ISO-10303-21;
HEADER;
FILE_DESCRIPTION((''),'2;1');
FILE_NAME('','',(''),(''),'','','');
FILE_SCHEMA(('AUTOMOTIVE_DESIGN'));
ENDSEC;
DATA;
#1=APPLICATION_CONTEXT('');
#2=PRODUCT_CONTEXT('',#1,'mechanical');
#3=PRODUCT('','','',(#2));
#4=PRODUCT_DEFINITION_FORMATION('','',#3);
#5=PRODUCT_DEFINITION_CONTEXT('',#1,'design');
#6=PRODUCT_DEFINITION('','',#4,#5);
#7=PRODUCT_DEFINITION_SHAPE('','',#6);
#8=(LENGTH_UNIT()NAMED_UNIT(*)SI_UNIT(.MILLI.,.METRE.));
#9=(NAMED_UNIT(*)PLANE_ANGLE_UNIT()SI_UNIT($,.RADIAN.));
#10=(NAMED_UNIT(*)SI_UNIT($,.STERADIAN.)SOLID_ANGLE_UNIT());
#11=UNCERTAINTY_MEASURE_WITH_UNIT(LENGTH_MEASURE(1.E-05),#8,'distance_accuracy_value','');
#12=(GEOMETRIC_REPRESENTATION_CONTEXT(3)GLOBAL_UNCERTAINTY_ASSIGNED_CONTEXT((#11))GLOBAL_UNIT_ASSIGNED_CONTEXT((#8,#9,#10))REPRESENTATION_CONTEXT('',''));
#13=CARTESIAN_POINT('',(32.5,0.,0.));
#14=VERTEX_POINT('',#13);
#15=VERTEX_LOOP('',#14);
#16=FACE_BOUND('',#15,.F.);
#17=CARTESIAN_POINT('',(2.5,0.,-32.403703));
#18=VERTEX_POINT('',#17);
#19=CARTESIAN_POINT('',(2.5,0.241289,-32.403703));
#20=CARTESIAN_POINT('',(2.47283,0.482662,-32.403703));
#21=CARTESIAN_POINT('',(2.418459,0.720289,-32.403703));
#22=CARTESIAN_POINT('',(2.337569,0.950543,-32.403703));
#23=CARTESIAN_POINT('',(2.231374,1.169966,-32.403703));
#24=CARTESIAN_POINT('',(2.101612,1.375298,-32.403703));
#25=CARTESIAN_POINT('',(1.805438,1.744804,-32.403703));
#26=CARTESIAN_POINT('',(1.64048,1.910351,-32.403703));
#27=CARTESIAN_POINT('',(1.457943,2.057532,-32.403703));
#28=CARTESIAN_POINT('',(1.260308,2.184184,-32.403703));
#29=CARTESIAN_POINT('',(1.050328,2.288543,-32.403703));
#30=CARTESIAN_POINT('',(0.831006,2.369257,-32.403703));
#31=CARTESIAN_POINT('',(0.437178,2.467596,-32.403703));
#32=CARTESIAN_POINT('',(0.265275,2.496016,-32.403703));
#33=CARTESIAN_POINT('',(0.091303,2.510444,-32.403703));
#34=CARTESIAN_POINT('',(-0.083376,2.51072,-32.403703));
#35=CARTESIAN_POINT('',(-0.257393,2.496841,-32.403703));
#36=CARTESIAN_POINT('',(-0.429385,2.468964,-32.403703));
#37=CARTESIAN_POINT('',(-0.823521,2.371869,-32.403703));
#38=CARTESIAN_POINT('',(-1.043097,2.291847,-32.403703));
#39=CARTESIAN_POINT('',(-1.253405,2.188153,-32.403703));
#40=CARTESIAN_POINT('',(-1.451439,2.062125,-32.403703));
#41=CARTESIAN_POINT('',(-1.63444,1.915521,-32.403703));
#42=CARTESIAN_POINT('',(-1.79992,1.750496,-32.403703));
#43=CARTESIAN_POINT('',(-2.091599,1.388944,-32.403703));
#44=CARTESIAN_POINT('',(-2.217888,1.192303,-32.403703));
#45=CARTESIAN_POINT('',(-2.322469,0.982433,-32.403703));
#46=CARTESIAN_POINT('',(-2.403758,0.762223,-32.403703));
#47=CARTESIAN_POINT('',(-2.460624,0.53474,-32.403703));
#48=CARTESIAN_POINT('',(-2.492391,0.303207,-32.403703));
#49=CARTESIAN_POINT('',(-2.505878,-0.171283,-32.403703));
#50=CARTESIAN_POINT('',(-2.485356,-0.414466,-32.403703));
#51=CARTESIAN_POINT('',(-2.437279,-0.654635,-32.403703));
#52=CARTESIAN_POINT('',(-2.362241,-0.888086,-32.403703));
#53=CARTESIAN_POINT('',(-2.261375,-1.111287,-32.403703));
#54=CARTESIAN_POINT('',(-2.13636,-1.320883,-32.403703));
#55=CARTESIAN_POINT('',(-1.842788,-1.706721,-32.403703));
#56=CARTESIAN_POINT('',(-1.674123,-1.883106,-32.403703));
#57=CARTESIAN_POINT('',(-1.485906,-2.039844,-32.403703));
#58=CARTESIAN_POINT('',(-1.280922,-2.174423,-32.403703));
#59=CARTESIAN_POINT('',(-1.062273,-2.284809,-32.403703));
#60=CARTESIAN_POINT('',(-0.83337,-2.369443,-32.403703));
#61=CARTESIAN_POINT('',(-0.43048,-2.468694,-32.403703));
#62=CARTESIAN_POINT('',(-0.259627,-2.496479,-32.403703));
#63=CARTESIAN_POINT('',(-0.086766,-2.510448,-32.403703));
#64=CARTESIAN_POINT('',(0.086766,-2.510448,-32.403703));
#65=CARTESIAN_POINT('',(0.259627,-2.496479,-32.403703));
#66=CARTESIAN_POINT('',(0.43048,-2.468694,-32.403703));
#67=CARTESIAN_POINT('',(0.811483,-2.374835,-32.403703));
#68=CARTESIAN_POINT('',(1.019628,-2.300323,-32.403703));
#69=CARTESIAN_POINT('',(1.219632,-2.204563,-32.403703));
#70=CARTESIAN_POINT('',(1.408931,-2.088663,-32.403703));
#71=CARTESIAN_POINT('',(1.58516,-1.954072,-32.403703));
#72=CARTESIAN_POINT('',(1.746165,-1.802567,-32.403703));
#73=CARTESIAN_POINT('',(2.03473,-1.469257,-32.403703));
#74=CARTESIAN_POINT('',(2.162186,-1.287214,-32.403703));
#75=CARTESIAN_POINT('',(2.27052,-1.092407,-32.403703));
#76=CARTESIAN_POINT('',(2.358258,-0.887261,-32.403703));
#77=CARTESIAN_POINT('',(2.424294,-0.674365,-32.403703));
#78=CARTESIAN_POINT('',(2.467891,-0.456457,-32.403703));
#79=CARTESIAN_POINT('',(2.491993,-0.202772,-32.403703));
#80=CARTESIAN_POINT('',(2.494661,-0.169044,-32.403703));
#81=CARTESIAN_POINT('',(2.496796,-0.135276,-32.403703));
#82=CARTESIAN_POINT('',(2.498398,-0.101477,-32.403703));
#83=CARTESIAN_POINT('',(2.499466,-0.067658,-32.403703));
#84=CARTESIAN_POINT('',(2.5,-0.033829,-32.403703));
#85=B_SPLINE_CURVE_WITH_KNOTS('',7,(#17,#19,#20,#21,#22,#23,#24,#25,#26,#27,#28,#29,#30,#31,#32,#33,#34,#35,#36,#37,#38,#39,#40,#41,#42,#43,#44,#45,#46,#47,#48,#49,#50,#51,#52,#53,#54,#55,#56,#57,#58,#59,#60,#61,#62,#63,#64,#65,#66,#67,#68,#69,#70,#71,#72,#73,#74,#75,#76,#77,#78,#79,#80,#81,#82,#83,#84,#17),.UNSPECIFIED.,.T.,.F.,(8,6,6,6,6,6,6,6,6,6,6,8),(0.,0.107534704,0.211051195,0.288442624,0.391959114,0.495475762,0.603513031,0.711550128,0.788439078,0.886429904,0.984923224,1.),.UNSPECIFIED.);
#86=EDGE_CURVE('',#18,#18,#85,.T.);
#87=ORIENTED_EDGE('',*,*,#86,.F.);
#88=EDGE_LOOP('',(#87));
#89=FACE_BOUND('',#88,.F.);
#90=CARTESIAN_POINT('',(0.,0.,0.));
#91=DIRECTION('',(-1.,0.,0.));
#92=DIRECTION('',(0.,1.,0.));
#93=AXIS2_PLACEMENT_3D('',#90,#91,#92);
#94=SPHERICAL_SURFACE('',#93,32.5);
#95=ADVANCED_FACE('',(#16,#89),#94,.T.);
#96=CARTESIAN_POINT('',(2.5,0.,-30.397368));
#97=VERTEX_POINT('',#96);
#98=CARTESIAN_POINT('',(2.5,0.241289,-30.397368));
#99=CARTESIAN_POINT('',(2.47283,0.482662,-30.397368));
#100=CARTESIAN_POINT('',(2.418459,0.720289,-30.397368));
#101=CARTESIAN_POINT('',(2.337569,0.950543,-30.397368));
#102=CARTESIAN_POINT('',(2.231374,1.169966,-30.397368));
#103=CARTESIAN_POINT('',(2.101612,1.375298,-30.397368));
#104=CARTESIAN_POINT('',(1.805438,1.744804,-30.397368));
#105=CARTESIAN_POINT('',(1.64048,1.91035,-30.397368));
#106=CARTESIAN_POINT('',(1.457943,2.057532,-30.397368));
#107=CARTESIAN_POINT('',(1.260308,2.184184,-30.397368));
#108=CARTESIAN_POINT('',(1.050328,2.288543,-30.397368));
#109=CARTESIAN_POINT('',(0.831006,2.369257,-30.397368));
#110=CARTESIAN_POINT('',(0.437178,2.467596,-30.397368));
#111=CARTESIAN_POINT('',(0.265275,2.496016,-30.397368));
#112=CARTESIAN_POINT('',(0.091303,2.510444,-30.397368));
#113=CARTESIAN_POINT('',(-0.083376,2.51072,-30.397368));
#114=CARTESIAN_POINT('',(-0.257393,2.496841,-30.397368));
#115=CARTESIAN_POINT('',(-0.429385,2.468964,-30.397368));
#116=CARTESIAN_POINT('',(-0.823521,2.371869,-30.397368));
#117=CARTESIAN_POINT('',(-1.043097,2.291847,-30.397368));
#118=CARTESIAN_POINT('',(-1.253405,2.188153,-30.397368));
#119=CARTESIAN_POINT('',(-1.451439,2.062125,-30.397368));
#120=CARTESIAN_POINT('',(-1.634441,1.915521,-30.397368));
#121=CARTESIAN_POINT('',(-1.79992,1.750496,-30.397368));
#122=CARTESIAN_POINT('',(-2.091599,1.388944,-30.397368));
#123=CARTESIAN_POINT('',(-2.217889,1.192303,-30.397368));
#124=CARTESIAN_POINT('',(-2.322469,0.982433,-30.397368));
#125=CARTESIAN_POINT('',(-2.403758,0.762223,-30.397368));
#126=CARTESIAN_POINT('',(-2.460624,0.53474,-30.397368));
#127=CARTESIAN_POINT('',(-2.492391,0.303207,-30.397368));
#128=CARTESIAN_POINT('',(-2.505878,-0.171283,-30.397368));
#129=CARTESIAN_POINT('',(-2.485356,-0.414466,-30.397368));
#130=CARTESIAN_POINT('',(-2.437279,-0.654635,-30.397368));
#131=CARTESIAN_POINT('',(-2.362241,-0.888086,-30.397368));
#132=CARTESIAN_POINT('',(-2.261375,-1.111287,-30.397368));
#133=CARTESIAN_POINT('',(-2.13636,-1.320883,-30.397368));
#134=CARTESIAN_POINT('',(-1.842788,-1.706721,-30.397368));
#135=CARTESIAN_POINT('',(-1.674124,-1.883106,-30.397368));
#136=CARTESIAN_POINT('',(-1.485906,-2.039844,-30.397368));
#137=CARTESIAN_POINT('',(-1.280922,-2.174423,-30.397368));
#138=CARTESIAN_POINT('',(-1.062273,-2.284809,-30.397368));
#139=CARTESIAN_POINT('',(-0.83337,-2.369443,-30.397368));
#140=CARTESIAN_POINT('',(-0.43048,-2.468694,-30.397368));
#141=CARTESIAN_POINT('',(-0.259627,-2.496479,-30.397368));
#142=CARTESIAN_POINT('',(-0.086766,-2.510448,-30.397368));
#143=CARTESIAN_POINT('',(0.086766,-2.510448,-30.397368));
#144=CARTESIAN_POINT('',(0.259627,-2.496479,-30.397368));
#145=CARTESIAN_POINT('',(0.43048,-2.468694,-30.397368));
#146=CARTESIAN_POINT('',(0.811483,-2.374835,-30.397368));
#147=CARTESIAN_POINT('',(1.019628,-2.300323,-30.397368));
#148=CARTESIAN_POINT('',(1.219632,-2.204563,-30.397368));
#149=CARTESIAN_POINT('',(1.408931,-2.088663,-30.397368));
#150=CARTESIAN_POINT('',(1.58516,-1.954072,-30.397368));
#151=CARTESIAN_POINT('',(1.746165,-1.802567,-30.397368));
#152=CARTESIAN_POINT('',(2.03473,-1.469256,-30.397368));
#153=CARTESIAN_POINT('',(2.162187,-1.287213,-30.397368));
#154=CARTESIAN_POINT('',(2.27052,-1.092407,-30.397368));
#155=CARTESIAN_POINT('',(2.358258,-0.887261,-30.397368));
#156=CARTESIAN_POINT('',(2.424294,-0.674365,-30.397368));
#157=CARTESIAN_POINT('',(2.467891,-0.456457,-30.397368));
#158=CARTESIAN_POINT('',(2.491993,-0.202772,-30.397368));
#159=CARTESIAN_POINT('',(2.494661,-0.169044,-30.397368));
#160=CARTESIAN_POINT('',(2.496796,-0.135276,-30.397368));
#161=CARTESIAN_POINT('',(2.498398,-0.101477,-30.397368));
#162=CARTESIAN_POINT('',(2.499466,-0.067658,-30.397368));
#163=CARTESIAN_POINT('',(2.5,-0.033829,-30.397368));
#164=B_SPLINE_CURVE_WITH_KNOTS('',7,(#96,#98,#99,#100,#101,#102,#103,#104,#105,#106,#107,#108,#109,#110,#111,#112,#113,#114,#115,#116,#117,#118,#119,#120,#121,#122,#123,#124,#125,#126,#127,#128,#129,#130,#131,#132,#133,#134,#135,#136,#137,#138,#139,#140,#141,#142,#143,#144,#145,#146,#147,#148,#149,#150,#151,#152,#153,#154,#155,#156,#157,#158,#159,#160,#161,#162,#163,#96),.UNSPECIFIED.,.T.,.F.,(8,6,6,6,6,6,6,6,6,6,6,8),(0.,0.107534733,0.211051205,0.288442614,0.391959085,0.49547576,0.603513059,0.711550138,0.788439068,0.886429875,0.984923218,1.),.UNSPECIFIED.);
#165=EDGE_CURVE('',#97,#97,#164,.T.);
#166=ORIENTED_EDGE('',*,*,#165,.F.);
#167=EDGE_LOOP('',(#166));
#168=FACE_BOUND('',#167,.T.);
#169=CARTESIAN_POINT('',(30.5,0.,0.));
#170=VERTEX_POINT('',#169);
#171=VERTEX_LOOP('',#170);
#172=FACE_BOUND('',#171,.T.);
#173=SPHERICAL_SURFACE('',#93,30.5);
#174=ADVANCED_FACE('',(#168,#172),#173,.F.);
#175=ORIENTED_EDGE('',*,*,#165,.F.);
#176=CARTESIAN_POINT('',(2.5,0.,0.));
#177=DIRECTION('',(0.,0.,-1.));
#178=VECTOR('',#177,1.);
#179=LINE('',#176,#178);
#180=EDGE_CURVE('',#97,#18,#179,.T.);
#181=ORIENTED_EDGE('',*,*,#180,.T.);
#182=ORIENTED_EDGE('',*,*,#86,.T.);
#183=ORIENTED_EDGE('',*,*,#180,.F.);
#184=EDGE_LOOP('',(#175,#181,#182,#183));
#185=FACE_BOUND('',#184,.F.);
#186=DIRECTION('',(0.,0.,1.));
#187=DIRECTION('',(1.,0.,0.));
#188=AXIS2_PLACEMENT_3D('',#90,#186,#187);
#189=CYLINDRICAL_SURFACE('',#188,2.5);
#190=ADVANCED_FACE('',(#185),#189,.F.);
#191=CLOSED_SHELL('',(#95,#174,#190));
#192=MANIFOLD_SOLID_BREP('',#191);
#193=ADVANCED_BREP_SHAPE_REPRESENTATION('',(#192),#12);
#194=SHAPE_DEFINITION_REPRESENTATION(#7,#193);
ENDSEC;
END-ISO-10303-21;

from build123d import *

# Parameters (mm, degrees)
F2_T     = -2
F3_R     = 2.5
F4_DEPTH = 32.501


with BuildPart() as f1:
    # F0 (on Top) → F1 (revolve)
    with BuildSketch(Plane.XY):
        with BuildLine():
            ThreePointArc((32.5, 0), (0, 32.5), (-32.5, 0))
            Line((-32.5, 0), (32.5, 0))
        make_face()
    revolve(axis=Axis((0, 0, 0), (1, 0, 0)))

    # F2 (hollow: no face is removed)
    offset(amount=F2_T, mode=Mode.SUBTRACT)

    # F3 (on Top) → F4 (cut, through all)
    with BuildSketch(Plane.XY):
        Circle(F3_R)
    extrude(amount=-F4_DEPTH, mode=Mode.SUBTRACT)


solid = f1.part
